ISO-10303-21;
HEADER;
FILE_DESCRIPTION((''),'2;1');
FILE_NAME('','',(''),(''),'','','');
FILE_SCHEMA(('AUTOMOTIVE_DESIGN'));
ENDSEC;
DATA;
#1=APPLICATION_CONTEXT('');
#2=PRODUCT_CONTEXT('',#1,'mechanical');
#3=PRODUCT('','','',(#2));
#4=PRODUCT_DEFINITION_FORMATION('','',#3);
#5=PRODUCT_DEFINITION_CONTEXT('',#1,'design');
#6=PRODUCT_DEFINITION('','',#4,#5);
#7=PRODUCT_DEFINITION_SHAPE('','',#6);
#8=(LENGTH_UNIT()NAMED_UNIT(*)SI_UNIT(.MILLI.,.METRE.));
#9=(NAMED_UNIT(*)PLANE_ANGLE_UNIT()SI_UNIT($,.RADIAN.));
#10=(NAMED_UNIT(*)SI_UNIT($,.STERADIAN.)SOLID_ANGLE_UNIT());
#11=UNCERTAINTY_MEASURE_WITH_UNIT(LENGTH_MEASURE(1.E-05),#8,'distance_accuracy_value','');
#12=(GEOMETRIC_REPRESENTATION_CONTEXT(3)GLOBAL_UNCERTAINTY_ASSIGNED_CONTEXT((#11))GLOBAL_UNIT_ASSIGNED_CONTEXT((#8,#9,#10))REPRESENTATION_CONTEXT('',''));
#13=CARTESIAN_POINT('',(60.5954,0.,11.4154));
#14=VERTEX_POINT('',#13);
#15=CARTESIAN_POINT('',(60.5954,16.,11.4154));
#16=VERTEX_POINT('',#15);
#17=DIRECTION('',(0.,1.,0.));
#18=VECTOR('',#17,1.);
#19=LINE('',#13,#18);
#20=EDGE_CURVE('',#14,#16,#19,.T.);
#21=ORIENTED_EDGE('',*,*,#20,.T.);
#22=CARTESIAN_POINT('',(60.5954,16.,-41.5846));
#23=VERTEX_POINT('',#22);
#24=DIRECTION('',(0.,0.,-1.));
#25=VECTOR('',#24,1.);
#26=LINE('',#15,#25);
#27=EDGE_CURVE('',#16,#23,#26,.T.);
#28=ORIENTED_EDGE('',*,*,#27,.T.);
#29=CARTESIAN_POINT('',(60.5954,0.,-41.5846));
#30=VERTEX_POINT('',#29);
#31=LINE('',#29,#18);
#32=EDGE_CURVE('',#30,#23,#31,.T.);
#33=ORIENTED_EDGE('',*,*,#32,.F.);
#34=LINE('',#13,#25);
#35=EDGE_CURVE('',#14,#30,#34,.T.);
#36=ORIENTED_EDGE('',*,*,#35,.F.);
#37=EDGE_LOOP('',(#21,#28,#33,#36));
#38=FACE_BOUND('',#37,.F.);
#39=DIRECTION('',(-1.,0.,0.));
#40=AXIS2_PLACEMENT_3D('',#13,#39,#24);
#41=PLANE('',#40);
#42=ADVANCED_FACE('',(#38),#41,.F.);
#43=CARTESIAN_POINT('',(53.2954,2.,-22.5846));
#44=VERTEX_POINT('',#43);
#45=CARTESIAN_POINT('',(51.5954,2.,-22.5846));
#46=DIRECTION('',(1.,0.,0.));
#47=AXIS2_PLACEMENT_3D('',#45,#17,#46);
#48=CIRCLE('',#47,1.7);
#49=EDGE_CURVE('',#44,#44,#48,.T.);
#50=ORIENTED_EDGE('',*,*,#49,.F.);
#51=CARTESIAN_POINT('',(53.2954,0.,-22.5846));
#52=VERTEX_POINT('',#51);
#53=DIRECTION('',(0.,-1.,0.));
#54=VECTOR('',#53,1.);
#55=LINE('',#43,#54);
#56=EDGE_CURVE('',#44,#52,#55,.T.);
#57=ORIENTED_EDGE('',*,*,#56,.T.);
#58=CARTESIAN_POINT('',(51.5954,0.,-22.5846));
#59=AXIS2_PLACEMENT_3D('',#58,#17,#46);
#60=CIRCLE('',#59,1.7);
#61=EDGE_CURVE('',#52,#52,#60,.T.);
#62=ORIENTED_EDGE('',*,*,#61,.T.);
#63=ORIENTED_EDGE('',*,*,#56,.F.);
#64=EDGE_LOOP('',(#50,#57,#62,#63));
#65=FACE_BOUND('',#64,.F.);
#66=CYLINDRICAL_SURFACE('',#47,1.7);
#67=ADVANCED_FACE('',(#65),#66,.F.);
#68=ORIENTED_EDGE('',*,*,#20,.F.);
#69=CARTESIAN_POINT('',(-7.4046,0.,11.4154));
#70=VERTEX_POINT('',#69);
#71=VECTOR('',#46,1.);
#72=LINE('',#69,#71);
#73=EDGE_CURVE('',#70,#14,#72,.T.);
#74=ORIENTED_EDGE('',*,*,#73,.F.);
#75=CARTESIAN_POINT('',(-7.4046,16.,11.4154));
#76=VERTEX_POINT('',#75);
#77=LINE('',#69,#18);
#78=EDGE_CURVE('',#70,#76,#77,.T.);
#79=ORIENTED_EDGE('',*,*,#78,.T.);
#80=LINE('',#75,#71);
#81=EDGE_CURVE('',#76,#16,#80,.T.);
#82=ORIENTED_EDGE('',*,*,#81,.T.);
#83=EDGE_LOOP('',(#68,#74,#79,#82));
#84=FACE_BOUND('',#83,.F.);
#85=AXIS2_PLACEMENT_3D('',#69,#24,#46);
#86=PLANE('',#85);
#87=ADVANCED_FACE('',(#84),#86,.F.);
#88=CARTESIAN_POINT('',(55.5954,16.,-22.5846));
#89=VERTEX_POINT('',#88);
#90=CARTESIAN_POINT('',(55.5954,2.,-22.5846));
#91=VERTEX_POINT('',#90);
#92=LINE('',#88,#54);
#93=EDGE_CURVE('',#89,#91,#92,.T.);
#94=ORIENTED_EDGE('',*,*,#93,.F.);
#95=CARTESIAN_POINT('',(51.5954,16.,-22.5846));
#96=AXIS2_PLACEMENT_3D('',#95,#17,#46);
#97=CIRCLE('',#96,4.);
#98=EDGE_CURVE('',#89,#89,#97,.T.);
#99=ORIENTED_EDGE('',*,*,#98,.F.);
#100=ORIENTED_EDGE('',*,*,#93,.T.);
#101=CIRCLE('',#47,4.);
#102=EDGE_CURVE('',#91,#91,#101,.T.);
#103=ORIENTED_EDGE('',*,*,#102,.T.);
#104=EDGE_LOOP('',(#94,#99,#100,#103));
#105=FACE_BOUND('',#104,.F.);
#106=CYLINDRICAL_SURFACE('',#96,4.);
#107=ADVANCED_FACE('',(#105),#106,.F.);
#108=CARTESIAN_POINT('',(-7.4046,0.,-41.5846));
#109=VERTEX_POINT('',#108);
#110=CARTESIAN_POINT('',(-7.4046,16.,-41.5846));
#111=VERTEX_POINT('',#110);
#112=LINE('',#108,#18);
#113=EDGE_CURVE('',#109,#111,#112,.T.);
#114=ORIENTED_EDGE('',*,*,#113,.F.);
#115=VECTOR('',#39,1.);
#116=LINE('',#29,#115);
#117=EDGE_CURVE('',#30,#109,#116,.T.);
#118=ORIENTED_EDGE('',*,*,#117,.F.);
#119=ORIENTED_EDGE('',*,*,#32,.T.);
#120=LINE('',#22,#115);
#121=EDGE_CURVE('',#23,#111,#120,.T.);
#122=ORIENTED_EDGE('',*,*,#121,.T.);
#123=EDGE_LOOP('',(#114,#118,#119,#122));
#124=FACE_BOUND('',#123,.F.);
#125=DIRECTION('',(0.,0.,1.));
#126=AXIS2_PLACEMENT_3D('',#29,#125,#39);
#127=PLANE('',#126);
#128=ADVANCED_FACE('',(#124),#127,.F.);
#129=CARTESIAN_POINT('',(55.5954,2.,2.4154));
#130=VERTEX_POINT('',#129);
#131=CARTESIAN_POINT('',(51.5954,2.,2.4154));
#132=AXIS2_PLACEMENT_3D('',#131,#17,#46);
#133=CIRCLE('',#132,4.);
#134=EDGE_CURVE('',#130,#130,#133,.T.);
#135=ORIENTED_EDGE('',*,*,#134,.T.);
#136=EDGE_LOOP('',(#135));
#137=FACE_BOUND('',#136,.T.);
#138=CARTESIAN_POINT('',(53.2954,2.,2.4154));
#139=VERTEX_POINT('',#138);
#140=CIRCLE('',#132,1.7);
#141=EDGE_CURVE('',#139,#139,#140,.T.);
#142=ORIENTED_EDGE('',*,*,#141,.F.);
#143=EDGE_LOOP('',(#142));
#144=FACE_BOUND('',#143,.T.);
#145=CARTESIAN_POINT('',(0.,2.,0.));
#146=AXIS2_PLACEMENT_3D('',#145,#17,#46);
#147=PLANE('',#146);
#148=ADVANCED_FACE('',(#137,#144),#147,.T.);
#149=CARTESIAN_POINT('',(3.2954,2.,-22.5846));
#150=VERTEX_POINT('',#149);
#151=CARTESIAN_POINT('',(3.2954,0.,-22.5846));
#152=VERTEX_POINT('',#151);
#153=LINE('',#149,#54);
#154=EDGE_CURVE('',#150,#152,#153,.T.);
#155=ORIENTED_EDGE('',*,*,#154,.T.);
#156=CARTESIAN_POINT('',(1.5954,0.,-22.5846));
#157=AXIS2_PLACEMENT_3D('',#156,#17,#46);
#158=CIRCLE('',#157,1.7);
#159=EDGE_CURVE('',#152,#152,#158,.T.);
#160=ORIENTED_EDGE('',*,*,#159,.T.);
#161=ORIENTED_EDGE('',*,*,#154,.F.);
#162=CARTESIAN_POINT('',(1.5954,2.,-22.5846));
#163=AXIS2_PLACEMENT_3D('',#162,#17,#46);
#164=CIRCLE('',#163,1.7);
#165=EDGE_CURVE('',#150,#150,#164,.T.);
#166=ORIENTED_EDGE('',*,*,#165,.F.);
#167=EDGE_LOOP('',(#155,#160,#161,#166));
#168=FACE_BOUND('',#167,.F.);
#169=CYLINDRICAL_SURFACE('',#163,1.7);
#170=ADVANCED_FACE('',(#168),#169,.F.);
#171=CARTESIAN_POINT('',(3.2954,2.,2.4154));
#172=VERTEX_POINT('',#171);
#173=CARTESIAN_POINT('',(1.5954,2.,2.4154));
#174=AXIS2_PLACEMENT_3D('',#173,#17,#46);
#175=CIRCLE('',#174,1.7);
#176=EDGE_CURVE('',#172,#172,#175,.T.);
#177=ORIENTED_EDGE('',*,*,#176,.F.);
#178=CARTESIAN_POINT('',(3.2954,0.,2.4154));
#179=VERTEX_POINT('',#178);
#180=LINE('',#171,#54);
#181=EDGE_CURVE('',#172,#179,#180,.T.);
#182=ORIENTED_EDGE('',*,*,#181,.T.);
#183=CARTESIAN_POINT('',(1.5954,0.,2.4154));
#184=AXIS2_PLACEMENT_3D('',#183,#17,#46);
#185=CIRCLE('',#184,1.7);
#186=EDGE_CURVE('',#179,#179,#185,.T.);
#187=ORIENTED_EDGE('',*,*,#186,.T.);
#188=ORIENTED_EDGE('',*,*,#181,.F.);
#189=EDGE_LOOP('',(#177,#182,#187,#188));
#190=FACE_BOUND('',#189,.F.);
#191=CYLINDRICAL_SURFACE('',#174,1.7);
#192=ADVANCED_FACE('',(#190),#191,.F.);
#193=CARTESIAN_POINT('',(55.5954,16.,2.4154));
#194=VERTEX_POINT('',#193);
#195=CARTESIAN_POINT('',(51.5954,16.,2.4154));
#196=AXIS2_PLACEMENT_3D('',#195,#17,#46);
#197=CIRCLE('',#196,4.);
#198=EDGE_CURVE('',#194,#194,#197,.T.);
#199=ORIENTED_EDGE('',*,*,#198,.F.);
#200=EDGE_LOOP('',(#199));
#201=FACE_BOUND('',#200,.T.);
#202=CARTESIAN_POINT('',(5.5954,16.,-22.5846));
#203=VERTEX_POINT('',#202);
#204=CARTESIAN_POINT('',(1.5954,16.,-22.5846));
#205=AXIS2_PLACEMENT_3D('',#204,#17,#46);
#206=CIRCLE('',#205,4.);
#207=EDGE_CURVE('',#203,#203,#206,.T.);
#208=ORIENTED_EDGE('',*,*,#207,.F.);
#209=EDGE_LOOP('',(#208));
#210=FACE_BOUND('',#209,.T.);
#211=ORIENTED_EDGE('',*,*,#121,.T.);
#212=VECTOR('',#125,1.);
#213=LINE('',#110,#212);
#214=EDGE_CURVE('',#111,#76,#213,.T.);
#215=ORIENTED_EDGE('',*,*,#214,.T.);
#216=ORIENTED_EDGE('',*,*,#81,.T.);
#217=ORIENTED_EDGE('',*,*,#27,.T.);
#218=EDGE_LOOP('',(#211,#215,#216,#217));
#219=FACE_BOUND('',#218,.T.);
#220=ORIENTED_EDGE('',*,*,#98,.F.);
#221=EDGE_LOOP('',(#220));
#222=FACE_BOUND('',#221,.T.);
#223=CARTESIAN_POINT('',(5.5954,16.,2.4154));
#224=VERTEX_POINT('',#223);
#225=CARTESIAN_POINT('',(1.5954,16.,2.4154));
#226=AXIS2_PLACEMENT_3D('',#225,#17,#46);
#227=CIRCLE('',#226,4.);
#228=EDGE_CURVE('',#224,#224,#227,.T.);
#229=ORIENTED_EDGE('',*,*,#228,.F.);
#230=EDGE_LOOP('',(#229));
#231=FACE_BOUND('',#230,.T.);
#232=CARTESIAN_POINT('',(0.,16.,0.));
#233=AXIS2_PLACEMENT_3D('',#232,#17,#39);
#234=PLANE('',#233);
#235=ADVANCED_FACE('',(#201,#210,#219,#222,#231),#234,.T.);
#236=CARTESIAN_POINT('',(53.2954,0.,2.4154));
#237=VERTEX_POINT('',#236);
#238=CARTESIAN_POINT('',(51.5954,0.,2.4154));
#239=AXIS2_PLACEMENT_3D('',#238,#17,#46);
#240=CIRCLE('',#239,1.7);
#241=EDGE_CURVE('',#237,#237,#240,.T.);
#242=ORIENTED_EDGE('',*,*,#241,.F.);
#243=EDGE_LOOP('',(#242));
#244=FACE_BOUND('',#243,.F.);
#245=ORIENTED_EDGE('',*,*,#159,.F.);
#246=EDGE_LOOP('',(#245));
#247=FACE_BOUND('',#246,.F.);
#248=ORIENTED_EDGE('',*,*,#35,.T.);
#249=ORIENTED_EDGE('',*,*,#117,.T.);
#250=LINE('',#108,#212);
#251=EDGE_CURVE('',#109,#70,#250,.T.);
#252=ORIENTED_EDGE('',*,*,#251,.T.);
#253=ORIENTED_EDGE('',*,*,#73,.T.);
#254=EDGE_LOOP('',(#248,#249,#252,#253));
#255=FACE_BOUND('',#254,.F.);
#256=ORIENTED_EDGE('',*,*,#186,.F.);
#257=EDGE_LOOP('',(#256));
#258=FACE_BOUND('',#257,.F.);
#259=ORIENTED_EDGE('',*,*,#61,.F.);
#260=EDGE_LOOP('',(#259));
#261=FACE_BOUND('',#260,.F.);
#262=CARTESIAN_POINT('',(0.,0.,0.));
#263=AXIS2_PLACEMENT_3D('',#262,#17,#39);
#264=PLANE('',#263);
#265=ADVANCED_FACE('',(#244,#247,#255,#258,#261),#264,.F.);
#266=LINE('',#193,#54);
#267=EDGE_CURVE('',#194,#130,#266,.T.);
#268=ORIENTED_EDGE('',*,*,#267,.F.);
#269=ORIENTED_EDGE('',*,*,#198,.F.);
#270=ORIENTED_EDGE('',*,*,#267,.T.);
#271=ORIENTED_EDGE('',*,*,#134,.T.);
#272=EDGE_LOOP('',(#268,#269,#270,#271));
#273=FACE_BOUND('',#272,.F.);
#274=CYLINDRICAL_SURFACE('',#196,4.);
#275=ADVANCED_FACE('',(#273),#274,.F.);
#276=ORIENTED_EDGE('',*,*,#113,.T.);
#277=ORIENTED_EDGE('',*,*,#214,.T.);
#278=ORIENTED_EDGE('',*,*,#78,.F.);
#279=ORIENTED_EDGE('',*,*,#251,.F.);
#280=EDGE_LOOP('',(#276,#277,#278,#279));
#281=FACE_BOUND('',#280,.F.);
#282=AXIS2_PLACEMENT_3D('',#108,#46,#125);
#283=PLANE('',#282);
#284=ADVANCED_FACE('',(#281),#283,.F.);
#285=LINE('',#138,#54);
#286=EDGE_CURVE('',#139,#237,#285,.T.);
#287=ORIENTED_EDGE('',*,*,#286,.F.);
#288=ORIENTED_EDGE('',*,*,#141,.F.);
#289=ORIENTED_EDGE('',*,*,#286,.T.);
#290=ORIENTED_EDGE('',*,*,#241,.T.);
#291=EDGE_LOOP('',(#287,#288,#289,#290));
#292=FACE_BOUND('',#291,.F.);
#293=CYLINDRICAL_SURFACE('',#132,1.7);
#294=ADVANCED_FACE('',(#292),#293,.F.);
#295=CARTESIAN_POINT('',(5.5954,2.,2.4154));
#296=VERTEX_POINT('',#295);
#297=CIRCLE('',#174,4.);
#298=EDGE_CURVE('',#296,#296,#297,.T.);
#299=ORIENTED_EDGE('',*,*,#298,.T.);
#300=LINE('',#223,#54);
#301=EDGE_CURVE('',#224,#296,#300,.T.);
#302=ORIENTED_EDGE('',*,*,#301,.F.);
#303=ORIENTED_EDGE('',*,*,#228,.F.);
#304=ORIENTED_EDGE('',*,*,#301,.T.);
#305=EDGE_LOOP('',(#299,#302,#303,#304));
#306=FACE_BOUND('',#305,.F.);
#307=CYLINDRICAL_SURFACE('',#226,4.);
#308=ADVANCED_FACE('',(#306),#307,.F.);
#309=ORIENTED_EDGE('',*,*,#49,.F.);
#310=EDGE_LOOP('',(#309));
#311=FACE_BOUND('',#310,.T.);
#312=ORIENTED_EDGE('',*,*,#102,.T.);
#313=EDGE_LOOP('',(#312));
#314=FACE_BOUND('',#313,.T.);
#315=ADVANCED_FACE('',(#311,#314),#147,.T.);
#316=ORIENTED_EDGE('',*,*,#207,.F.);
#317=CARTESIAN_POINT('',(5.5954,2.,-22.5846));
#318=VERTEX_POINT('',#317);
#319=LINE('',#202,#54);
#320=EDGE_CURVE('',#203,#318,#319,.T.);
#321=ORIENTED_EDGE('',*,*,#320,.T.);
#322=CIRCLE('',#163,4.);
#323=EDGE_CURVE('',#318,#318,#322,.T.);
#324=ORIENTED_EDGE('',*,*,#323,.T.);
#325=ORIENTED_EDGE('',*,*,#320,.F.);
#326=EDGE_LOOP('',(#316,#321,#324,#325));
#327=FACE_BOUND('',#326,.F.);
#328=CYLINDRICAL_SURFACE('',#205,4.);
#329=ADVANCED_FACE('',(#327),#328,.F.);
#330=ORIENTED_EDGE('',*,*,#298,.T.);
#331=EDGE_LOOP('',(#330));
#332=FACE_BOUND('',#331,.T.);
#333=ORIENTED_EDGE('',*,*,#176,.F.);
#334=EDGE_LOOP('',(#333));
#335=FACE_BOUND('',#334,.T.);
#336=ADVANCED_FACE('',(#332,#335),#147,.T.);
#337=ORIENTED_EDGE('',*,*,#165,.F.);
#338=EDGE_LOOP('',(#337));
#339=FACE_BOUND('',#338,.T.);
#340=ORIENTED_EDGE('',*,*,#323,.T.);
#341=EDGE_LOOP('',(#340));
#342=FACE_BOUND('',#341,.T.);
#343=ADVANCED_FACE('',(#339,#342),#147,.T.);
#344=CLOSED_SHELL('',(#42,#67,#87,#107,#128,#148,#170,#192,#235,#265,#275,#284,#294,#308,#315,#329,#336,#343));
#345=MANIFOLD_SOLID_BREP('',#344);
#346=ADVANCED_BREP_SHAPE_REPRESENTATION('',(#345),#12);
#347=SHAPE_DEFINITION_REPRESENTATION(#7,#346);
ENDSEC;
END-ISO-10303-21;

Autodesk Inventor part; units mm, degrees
ref_plane "YZ Plane" through (0, 0, 0) normal (1, 0, 0) x (0, 1, 0)
ref_plane "XZ Plane" through (0, 0, 0) normal (0, 1, 0) x (-1, 0, 0)
ref_plane "XY Plane" through (0, 0, 0) normal (0, 0, 1) x (1, 0, 0)
sketch "Sketch1" plane through (0, 0, 0) normal (0, 1, 0) x (-1, 0, 0)
  line L0 (7.4046, 11.4154) -> (-60.5954, 11.4154)
  line L1 (-60.5954, 11.4154) -> (-60.5954, -41.5846)
  line L2 (-60.5954, -41.5846) -> (7.4046, -41.5846)
  line L3 (7.4046, -41.5846) -> (7.4046, 11.4154)
  point P0 (0, 0)
  dimension "d0" = 68
  dimension "d1" = 53
extrude "Extrusion1" add sketch "Sketch1" along normal blind 16
sketch "Sketch2" plane through (0, 16, 0) normal (0, 1, 0) x (1, 0, 0)
  circle A0 centre (1.5954, -2.4154) radius 4
  circle A1 centre (1.5954, 22.5846) radius 4
  circle A2 centre (51.5954, 22.5846) radius 4
  circle A3 centre (51.5954, -2.4154) radius 4
  line L0 (-7.4046, 41.5846) -> (-7.4046, -11.4154) projected
  line L1 (-7.4046, -11.4154) -> (60.5954, -11.4154) projected
  point P0 (0, 0)
  dimension "d4" = 8
  dimension "d5" = 8
  dimension "d6" = 8
  dimension "d7" = 8
  dimension "d8" = 50
  dimension "d9" = 25
  dimension "d10" = 9
  dimension "d11" = 9
extrude "Extrusion2" cut sketch "Sketch2" against normal blind 14
sketch "Sketch3" plane through (1.5954, 2, 2.4154) normal (0, 1, 0) x (1, 0, 0)
  circle A0 centre (0, 0) radius 4 projected
  circle A1 centre (0, 0) radius 1.7
  circle A2 centre (0, 25) radius 4 projected
  circle A3 centre (0, 25) radius 1.7
  circle A4 centre (50, 25) radius 4 projected
  circle A5 centre (50, 25) radius 1.7
  circle A6 centre (50, 0) radius 4 projected
  circle A7 centre (50, 0) radius 1.7
  point P0 (-1.5954, 2.4154)
  dimension "d14" = 3.4
  dimension "d15" = 3.4
  dimension "d16" = 3.4
  dimension "d17" = 3.4
extrude "Extrusion3" cut sketch "Sketch3" against normal through all contours A1 | A3 | A5 | A7
properties part number "bottomMotorMount"
